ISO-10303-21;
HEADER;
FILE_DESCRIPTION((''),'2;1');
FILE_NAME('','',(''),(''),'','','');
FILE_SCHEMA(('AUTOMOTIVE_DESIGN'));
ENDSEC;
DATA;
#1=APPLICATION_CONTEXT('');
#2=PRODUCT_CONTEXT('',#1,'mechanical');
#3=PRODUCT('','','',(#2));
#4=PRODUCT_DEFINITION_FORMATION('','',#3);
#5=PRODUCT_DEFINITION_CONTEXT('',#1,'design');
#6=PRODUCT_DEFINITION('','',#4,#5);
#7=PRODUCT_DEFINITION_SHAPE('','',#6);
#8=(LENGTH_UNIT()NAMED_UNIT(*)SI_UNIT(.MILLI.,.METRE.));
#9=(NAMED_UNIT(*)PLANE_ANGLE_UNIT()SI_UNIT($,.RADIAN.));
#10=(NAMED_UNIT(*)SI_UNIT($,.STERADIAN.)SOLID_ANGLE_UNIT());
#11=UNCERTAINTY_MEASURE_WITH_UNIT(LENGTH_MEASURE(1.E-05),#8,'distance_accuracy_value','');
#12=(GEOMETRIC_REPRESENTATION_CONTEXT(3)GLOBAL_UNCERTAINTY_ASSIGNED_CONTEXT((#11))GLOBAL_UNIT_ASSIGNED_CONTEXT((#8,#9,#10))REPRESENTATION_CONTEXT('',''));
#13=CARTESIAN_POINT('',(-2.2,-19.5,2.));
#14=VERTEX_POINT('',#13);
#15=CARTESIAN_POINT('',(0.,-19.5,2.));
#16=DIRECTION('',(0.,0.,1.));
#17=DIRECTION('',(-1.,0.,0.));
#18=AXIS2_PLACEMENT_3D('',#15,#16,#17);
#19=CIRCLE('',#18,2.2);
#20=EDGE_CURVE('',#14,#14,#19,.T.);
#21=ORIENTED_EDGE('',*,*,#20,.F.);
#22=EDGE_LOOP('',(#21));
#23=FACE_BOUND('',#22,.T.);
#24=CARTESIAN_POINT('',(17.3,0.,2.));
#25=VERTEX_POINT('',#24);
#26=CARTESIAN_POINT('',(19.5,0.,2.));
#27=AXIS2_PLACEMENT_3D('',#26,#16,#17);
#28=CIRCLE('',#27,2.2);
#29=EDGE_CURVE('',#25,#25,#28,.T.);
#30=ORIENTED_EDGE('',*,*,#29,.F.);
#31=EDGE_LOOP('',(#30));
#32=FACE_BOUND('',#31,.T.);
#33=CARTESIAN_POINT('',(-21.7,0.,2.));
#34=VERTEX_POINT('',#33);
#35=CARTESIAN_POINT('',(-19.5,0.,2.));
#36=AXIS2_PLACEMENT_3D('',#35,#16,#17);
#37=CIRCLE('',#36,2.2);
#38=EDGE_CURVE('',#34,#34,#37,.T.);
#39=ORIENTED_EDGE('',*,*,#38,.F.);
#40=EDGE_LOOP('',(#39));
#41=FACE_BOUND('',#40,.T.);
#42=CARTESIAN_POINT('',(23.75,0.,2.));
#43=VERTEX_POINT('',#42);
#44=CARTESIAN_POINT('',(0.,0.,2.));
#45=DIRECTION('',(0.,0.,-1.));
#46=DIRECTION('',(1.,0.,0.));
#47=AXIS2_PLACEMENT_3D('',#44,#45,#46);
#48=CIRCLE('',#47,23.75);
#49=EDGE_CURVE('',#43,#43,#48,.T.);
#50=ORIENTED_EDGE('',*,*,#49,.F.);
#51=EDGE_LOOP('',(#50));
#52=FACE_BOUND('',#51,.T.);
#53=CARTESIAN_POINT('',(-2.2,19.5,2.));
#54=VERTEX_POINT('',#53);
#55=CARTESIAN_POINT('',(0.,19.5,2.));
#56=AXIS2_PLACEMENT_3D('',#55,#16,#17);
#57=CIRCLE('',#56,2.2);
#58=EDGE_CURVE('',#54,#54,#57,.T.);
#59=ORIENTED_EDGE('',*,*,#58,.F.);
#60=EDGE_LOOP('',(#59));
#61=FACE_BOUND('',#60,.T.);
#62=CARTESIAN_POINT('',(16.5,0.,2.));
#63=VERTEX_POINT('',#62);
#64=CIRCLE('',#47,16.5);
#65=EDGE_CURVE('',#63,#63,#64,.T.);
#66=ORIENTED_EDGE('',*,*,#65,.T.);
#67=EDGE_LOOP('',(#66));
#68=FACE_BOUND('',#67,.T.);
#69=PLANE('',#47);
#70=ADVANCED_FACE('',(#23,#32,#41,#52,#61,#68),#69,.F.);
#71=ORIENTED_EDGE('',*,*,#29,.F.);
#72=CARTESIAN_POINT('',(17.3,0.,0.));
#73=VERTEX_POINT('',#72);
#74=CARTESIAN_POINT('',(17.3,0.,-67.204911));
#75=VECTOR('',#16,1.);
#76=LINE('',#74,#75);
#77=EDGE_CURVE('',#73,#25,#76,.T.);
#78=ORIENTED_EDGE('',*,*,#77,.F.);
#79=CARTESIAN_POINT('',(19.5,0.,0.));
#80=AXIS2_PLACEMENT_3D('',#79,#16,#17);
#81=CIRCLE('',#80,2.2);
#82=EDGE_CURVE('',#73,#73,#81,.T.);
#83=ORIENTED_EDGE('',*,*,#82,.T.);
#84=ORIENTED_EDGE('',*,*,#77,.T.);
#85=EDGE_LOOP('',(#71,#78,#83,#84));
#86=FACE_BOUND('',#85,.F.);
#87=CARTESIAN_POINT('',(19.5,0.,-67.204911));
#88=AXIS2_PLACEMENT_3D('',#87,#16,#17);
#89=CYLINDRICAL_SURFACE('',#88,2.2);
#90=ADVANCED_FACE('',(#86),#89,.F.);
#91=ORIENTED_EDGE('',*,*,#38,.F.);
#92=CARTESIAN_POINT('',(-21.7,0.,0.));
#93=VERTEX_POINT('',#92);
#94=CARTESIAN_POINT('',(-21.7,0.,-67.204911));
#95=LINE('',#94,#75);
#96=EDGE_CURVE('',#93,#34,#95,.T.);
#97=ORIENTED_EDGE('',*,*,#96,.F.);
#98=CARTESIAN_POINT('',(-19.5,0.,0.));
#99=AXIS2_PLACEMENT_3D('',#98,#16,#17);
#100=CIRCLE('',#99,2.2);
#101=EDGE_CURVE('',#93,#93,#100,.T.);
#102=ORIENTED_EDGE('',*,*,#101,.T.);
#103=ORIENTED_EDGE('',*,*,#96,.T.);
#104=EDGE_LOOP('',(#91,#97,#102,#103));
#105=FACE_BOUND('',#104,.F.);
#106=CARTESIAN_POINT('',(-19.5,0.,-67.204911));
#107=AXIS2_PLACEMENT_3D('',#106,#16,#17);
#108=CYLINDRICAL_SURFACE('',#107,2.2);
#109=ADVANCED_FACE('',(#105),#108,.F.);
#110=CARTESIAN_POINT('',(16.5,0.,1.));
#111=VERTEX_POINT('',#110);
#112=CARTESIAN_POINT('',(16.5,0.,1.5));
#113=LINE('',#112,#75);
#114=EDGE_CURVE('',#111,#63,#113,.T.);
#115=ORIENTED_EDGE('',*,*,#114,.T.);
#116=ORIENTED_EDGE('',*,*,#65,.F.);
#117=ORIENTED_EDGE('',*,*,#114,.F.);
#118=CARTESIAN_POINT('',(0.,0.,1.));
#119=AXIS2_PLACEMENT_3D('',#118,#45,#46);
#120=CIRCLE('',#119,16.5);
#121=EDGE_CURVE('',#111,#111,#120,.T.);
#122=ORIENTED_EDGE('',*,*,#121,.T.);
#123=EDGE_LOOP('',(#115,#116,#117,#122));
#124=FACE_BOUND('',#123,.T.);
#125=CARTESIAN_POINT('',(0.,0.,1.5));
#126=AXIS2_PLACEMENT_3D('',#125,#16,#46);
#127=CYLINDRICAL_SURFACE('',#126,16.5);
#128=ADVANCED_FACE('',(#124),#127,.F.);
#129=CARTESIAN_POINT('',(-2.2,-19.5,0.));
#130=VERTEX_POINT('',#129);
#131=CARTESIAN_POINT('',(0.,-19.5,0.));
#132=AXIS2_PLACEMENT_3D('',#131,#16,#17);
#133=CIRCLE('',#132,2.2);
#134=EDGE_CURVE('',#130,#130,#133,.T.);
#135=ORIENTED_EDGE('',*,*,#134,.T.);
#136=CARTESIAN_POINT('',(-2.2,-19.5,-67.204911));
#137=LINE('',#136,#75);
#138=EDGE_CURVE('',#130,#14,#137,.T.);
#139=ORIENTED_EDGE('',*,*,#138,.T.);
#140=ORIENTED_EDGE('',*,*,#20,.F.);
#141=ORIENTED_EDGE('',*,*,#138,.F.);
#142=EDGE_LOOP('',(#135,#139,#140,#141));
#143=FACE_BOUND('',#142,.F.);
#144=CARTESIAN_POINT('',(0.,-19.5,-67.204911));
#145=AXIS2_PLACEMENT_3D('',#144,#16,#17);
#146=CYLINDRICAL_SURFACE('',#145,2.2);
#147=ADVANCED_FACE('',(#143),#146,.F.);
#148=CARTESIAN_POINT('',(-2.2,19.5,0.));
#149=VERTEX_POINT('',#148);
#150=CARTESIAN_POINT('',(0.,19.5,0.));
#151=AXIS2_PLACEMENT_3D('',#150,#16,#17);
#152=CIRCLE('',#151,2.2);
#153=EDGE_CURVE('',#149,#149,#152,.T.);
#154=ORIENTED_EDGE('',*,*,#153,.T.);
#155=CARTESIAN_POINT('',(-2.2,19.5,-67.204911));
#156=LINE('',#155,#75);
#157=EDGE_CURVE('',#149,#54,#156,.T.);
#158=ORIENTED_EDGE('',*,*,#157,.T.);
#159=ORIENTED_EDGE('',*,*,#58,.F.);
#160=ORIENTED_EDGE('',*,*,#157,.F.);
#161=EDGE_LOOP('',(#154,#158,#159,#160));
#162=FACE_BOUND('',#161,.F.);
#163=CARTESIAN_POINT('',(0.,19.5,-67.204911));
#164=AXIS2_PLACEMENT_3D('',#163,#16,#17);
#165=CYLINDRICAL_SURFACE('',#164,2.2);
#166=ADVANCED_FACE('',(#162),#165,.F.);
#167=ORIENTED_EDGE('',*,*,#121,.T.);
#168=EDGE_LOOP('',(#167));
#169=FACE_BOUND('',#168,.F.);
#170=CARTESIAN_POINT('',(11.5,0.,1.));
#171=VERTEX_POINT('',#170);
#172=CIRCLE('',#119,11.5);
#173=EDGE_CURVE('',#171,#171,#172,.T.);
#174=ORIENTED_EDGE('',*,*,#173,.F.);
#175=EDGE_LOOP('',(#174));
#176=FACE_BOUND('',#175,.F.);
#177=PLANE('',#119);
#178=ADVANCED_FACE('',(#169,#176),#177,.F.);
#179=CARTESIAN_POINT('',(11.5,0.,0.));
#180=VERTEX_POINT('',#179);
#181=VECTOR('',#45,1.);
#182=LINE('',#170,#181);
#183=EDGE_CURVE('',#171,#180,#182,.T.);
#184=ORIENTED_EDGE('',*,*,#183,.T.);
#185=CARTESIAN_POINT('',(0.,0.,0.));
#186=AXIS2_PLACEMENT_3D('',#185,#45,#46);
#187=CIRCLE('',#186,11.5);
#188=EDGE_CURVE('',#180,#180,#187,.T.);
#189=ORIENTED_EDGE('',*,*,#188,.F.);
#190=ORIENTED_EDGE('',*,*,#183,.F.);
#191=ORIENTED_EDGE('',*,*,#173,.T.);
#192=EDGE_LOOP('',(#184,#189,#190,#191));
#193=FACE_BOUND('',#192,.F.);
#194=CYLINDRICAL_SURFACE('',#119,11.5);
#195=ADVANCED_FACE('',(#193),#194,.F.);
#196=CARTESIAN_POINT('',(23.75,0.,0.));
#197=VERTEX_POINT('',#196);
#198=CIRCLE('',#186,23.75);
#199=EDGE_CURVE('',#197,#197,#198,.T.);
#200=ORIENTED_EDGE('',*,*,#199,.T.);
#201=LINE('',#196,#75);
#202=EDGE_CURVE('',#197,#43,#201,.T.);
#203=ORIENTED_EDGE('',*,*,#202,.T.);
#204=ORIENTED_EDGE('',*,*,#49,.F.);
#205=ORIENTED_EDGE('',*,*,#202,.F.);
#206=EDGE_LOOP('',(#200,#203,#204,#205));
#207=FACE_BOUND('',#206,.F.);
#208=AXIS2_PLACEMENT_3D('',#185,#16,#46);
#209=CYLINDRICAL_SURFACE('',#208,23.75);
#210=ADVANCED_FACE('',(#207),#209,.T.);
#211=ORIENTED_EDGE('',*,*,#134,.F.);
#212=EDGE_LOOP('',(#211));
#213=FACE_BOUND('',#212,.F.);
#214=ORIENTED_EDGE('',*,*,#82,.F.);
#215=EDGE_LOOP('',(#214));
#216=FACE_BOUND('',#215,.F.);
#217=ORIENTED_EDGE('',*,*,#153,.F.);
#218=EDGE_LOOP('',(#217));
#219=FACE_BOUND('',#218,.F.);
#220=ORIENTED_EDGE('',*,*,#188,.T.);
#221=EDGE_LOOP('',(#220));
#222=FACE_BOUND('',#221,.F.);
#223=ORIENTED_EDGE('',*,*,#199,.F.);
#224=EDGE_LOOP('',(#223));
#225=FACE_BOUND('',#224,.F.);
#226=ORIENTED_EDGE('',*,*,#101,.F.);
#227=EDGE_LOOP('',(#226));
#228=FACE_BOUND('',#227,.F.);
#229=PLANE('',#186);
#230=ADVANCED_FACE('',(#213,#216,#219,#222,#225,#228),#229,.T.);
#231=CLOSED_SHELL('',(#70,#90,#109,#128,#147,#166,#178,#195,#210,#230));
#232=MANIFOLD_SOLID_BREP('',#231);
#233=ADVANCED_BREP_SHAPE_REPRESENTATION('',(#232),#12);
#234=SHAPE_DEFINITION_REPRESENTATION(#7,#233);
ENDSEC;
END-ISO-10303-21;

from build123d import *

# Parameters (mm, degrees)
F1_W = 7.25
F1_H = 1
F4_D = 4.4
F5_D = 4.4
F6_D = 4.4
F7_D = 4.4


with BuildPart() as f2:
    # F1 (on Front) → F2 (revolve)
    with BuildSketch(Plane.XZ):
        Polygon((11.5, 1), (11.5, 0), (23.75, 0), (23.75, 1), (16.5, 1), align=None)
        with Locations((20.125, 1.5)):
            Rectangle(F1_W, F1_H)
    revolve(axis=Axis((0, 0, 1.627581194), (0, 0, -1)))

    # F4 (through all)
    with Locations(Plane(origin=(0, 0, 0), x_dir=(1, 0, 0), z_dir=(0, 0, -1))):
        with Locations((19.5, 0)):
            Hole(F4_D / 2)

    # F5 (through all)
    with Locations(Plane(origin=(0, 0, 0), x_dir=(1, 0, 0), z_dir=(0, 0, -1))):
        with Locations((0, 19.5)):
            Hole(F5_D / 2)

    # F6 (through all)
    with Locations(Plane(origin=(0, 0, 0), x_dir=(1, 0, 0), z_dir=(0, 0, -1))):
        with Locations((-19.5, 0)):
            Hole(F6_D / 2)

    # F7 (through all)
    with Locations(Plane(origin=(0, 0, 0), x_dir=(1, 0, 0), z_dir=(0, 0, -1))):
        with Locations((0, -19.5)):
            Hole(F7_D / 2)


solid = f2.part
